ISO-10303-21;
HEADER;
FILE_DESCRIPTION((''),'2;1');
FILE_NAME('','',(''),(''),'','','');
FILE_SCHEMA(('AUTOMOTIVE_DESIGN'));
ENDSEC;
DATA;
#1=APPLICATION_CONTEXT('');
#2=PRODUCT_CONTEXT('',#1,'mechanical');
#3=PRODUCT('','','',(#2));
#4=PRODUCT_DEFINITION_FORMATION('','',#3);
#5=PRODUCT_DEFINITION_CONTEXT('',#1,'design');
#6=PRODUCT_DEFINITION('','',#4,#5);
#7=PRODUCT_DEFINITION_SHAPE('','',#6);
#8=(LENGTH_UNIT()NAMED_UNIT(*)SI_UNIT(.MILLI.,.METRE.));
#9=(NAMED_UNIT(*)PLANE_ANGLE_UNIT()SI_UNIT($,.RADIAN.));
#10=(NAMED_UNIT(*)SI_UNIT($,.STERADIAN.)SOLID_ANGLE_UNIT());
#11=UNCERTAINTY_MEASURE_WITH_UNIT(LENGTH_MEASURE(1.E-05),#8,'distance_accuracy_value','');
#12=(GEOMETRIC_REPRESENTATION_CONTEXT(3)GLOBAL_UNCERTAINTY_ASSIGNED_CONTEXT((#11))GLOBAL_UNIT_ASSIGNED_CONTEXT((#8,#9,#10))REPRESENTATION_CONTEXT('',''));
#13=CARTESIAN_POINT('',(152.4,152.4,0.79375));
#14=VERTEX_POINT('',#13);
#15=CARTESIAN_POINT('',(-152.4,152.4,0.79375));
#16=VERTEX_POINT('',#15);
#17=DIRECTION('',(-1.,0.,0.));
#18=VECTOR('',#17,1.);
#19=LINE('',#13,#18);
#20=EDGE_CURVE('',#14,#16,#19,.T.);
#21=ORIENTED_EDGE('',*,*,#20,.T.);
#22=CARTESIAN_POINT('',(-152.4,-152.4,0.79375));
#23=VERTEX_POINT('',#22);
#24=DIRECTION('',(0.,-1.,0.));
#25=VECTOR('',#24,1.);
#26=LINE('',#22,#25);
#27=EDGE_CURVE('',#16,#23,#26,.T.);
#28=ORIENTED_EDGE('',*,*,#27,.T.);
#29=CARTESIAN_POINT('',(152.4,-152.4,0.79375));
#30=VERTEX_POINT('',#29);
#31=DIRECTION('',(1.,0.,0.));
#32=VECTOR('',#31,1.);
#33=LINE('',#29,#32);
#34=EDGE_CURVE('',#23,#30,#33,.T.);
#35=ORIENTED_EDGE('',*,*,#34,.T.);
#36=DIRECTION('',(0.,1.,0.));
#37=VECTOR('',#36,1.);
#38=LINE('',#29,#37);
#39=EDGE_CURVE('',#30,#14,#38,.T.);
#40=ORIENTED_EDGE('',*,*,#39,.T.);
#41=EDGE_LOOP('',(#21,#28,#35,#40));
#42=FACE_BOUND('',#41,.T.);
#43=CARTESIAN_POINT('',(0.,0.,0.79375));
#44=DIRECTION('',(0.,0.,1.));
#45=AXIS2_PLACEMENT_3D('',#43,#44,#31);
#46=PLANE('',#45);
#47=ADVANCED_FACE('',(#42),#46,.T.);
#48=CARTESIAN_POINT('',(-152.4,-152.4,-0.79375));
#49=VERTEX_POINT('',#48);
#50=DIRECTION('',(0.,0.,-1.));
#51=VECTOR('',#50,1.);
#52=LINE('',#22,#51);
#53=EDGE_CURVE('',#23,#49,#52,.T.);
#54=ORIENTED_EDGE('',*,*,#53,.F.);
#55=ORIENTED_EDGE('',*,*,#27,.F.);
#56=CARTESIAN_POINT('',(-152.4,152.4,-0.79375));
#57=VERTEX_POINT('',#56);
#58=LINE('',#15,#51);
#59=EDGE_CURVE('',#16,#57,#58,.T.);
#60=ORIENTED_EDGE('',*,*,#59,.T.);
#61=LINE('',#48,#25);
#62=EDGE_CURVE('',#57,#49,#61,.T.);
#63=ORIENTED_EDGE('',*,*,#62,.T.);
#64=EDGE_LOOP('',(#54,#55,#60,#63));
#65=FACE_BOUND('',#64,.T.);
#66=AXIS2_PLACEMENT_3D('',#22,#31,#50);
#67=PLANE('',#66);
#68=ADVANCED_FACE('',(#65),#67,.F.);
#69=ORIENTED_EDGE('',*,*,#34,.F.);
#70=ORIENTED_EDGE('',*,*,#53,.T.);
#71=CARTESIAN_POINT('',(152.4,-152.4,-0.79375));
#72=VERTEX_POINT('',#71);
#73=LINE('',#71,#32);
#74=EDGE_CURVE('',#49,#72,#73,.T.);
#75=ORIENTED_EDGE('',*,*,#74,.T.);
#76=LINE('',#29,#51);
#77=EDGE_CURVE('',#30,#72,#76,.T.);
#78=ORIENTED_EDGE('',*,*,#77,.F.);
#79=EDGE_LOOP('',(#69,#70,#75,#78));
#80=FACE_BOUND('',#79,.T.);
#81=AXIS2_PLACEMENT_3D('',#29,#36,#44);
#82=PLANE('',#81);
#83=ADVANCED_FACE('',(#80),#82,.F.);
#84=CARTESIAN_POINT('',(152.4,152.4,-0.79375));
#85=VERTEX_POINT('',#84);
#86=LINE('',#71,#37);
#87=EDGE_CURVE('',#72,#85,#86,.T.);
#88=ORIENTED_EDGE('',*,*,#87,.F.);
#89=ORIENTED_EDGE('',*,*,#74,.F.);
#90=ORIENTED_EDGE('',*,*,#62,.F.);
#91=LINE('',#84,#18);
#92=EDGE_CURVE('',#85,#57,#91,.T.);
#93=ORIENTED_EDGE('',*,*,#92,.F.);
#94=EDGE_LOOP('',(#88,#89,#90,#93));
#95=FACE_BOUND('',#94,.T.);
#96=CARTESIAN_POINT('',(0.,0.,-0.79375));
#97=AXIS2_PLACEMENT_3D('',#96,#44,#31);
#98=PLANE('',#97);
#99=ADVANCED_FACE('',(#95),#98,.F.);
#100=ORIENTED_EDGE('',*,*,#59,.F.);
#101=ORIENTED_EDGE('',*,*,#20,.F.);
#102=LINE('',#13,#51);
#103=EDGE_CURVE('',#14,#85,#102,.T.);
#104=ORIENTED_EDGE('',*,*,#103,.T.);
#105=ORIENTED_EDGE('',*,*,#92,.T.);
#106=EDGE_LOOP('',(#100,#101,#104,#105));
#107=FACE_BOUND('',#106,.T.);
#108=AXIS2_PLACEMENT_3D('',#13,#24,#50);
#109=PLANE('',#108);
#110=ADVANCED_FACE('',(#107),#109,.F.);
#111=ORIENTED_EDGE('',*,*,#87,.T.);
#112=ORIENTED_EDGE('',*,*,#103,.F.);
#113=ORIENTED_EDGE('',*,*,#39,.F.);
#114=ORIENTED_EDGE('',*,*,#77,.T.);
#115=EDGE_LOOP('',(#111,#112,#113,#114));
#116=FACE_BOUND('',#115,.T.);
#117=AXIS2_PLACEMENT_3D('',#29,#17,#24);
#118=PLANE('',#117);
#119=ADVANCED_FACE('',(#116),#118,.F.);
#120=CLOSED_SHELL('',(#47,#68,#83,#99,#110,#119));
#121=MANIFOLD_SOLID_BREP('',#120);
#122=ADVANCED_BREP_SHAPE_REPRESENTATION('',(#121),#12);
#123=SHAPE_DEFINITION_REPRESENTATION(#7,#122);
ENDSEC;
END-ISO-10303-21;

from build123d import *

# Parameters (mm, degrees)
SKETCH3_W           = 304.8
SKETCH3_H           = 304.8
BOSS_EXTRUDE1_DEPTH = 0.79375


with BuildPart() as part:
    # Sketch3 → Boss-Extrude1 (new, symmetric)
    with BuildSketch(Plane.XY):
        Rectangle(SKETCH3_W, SKETCH3_H)
    extrude(amount=BOSS_EXTRUDE1_DEPTH, both=True)


solid = part.part
